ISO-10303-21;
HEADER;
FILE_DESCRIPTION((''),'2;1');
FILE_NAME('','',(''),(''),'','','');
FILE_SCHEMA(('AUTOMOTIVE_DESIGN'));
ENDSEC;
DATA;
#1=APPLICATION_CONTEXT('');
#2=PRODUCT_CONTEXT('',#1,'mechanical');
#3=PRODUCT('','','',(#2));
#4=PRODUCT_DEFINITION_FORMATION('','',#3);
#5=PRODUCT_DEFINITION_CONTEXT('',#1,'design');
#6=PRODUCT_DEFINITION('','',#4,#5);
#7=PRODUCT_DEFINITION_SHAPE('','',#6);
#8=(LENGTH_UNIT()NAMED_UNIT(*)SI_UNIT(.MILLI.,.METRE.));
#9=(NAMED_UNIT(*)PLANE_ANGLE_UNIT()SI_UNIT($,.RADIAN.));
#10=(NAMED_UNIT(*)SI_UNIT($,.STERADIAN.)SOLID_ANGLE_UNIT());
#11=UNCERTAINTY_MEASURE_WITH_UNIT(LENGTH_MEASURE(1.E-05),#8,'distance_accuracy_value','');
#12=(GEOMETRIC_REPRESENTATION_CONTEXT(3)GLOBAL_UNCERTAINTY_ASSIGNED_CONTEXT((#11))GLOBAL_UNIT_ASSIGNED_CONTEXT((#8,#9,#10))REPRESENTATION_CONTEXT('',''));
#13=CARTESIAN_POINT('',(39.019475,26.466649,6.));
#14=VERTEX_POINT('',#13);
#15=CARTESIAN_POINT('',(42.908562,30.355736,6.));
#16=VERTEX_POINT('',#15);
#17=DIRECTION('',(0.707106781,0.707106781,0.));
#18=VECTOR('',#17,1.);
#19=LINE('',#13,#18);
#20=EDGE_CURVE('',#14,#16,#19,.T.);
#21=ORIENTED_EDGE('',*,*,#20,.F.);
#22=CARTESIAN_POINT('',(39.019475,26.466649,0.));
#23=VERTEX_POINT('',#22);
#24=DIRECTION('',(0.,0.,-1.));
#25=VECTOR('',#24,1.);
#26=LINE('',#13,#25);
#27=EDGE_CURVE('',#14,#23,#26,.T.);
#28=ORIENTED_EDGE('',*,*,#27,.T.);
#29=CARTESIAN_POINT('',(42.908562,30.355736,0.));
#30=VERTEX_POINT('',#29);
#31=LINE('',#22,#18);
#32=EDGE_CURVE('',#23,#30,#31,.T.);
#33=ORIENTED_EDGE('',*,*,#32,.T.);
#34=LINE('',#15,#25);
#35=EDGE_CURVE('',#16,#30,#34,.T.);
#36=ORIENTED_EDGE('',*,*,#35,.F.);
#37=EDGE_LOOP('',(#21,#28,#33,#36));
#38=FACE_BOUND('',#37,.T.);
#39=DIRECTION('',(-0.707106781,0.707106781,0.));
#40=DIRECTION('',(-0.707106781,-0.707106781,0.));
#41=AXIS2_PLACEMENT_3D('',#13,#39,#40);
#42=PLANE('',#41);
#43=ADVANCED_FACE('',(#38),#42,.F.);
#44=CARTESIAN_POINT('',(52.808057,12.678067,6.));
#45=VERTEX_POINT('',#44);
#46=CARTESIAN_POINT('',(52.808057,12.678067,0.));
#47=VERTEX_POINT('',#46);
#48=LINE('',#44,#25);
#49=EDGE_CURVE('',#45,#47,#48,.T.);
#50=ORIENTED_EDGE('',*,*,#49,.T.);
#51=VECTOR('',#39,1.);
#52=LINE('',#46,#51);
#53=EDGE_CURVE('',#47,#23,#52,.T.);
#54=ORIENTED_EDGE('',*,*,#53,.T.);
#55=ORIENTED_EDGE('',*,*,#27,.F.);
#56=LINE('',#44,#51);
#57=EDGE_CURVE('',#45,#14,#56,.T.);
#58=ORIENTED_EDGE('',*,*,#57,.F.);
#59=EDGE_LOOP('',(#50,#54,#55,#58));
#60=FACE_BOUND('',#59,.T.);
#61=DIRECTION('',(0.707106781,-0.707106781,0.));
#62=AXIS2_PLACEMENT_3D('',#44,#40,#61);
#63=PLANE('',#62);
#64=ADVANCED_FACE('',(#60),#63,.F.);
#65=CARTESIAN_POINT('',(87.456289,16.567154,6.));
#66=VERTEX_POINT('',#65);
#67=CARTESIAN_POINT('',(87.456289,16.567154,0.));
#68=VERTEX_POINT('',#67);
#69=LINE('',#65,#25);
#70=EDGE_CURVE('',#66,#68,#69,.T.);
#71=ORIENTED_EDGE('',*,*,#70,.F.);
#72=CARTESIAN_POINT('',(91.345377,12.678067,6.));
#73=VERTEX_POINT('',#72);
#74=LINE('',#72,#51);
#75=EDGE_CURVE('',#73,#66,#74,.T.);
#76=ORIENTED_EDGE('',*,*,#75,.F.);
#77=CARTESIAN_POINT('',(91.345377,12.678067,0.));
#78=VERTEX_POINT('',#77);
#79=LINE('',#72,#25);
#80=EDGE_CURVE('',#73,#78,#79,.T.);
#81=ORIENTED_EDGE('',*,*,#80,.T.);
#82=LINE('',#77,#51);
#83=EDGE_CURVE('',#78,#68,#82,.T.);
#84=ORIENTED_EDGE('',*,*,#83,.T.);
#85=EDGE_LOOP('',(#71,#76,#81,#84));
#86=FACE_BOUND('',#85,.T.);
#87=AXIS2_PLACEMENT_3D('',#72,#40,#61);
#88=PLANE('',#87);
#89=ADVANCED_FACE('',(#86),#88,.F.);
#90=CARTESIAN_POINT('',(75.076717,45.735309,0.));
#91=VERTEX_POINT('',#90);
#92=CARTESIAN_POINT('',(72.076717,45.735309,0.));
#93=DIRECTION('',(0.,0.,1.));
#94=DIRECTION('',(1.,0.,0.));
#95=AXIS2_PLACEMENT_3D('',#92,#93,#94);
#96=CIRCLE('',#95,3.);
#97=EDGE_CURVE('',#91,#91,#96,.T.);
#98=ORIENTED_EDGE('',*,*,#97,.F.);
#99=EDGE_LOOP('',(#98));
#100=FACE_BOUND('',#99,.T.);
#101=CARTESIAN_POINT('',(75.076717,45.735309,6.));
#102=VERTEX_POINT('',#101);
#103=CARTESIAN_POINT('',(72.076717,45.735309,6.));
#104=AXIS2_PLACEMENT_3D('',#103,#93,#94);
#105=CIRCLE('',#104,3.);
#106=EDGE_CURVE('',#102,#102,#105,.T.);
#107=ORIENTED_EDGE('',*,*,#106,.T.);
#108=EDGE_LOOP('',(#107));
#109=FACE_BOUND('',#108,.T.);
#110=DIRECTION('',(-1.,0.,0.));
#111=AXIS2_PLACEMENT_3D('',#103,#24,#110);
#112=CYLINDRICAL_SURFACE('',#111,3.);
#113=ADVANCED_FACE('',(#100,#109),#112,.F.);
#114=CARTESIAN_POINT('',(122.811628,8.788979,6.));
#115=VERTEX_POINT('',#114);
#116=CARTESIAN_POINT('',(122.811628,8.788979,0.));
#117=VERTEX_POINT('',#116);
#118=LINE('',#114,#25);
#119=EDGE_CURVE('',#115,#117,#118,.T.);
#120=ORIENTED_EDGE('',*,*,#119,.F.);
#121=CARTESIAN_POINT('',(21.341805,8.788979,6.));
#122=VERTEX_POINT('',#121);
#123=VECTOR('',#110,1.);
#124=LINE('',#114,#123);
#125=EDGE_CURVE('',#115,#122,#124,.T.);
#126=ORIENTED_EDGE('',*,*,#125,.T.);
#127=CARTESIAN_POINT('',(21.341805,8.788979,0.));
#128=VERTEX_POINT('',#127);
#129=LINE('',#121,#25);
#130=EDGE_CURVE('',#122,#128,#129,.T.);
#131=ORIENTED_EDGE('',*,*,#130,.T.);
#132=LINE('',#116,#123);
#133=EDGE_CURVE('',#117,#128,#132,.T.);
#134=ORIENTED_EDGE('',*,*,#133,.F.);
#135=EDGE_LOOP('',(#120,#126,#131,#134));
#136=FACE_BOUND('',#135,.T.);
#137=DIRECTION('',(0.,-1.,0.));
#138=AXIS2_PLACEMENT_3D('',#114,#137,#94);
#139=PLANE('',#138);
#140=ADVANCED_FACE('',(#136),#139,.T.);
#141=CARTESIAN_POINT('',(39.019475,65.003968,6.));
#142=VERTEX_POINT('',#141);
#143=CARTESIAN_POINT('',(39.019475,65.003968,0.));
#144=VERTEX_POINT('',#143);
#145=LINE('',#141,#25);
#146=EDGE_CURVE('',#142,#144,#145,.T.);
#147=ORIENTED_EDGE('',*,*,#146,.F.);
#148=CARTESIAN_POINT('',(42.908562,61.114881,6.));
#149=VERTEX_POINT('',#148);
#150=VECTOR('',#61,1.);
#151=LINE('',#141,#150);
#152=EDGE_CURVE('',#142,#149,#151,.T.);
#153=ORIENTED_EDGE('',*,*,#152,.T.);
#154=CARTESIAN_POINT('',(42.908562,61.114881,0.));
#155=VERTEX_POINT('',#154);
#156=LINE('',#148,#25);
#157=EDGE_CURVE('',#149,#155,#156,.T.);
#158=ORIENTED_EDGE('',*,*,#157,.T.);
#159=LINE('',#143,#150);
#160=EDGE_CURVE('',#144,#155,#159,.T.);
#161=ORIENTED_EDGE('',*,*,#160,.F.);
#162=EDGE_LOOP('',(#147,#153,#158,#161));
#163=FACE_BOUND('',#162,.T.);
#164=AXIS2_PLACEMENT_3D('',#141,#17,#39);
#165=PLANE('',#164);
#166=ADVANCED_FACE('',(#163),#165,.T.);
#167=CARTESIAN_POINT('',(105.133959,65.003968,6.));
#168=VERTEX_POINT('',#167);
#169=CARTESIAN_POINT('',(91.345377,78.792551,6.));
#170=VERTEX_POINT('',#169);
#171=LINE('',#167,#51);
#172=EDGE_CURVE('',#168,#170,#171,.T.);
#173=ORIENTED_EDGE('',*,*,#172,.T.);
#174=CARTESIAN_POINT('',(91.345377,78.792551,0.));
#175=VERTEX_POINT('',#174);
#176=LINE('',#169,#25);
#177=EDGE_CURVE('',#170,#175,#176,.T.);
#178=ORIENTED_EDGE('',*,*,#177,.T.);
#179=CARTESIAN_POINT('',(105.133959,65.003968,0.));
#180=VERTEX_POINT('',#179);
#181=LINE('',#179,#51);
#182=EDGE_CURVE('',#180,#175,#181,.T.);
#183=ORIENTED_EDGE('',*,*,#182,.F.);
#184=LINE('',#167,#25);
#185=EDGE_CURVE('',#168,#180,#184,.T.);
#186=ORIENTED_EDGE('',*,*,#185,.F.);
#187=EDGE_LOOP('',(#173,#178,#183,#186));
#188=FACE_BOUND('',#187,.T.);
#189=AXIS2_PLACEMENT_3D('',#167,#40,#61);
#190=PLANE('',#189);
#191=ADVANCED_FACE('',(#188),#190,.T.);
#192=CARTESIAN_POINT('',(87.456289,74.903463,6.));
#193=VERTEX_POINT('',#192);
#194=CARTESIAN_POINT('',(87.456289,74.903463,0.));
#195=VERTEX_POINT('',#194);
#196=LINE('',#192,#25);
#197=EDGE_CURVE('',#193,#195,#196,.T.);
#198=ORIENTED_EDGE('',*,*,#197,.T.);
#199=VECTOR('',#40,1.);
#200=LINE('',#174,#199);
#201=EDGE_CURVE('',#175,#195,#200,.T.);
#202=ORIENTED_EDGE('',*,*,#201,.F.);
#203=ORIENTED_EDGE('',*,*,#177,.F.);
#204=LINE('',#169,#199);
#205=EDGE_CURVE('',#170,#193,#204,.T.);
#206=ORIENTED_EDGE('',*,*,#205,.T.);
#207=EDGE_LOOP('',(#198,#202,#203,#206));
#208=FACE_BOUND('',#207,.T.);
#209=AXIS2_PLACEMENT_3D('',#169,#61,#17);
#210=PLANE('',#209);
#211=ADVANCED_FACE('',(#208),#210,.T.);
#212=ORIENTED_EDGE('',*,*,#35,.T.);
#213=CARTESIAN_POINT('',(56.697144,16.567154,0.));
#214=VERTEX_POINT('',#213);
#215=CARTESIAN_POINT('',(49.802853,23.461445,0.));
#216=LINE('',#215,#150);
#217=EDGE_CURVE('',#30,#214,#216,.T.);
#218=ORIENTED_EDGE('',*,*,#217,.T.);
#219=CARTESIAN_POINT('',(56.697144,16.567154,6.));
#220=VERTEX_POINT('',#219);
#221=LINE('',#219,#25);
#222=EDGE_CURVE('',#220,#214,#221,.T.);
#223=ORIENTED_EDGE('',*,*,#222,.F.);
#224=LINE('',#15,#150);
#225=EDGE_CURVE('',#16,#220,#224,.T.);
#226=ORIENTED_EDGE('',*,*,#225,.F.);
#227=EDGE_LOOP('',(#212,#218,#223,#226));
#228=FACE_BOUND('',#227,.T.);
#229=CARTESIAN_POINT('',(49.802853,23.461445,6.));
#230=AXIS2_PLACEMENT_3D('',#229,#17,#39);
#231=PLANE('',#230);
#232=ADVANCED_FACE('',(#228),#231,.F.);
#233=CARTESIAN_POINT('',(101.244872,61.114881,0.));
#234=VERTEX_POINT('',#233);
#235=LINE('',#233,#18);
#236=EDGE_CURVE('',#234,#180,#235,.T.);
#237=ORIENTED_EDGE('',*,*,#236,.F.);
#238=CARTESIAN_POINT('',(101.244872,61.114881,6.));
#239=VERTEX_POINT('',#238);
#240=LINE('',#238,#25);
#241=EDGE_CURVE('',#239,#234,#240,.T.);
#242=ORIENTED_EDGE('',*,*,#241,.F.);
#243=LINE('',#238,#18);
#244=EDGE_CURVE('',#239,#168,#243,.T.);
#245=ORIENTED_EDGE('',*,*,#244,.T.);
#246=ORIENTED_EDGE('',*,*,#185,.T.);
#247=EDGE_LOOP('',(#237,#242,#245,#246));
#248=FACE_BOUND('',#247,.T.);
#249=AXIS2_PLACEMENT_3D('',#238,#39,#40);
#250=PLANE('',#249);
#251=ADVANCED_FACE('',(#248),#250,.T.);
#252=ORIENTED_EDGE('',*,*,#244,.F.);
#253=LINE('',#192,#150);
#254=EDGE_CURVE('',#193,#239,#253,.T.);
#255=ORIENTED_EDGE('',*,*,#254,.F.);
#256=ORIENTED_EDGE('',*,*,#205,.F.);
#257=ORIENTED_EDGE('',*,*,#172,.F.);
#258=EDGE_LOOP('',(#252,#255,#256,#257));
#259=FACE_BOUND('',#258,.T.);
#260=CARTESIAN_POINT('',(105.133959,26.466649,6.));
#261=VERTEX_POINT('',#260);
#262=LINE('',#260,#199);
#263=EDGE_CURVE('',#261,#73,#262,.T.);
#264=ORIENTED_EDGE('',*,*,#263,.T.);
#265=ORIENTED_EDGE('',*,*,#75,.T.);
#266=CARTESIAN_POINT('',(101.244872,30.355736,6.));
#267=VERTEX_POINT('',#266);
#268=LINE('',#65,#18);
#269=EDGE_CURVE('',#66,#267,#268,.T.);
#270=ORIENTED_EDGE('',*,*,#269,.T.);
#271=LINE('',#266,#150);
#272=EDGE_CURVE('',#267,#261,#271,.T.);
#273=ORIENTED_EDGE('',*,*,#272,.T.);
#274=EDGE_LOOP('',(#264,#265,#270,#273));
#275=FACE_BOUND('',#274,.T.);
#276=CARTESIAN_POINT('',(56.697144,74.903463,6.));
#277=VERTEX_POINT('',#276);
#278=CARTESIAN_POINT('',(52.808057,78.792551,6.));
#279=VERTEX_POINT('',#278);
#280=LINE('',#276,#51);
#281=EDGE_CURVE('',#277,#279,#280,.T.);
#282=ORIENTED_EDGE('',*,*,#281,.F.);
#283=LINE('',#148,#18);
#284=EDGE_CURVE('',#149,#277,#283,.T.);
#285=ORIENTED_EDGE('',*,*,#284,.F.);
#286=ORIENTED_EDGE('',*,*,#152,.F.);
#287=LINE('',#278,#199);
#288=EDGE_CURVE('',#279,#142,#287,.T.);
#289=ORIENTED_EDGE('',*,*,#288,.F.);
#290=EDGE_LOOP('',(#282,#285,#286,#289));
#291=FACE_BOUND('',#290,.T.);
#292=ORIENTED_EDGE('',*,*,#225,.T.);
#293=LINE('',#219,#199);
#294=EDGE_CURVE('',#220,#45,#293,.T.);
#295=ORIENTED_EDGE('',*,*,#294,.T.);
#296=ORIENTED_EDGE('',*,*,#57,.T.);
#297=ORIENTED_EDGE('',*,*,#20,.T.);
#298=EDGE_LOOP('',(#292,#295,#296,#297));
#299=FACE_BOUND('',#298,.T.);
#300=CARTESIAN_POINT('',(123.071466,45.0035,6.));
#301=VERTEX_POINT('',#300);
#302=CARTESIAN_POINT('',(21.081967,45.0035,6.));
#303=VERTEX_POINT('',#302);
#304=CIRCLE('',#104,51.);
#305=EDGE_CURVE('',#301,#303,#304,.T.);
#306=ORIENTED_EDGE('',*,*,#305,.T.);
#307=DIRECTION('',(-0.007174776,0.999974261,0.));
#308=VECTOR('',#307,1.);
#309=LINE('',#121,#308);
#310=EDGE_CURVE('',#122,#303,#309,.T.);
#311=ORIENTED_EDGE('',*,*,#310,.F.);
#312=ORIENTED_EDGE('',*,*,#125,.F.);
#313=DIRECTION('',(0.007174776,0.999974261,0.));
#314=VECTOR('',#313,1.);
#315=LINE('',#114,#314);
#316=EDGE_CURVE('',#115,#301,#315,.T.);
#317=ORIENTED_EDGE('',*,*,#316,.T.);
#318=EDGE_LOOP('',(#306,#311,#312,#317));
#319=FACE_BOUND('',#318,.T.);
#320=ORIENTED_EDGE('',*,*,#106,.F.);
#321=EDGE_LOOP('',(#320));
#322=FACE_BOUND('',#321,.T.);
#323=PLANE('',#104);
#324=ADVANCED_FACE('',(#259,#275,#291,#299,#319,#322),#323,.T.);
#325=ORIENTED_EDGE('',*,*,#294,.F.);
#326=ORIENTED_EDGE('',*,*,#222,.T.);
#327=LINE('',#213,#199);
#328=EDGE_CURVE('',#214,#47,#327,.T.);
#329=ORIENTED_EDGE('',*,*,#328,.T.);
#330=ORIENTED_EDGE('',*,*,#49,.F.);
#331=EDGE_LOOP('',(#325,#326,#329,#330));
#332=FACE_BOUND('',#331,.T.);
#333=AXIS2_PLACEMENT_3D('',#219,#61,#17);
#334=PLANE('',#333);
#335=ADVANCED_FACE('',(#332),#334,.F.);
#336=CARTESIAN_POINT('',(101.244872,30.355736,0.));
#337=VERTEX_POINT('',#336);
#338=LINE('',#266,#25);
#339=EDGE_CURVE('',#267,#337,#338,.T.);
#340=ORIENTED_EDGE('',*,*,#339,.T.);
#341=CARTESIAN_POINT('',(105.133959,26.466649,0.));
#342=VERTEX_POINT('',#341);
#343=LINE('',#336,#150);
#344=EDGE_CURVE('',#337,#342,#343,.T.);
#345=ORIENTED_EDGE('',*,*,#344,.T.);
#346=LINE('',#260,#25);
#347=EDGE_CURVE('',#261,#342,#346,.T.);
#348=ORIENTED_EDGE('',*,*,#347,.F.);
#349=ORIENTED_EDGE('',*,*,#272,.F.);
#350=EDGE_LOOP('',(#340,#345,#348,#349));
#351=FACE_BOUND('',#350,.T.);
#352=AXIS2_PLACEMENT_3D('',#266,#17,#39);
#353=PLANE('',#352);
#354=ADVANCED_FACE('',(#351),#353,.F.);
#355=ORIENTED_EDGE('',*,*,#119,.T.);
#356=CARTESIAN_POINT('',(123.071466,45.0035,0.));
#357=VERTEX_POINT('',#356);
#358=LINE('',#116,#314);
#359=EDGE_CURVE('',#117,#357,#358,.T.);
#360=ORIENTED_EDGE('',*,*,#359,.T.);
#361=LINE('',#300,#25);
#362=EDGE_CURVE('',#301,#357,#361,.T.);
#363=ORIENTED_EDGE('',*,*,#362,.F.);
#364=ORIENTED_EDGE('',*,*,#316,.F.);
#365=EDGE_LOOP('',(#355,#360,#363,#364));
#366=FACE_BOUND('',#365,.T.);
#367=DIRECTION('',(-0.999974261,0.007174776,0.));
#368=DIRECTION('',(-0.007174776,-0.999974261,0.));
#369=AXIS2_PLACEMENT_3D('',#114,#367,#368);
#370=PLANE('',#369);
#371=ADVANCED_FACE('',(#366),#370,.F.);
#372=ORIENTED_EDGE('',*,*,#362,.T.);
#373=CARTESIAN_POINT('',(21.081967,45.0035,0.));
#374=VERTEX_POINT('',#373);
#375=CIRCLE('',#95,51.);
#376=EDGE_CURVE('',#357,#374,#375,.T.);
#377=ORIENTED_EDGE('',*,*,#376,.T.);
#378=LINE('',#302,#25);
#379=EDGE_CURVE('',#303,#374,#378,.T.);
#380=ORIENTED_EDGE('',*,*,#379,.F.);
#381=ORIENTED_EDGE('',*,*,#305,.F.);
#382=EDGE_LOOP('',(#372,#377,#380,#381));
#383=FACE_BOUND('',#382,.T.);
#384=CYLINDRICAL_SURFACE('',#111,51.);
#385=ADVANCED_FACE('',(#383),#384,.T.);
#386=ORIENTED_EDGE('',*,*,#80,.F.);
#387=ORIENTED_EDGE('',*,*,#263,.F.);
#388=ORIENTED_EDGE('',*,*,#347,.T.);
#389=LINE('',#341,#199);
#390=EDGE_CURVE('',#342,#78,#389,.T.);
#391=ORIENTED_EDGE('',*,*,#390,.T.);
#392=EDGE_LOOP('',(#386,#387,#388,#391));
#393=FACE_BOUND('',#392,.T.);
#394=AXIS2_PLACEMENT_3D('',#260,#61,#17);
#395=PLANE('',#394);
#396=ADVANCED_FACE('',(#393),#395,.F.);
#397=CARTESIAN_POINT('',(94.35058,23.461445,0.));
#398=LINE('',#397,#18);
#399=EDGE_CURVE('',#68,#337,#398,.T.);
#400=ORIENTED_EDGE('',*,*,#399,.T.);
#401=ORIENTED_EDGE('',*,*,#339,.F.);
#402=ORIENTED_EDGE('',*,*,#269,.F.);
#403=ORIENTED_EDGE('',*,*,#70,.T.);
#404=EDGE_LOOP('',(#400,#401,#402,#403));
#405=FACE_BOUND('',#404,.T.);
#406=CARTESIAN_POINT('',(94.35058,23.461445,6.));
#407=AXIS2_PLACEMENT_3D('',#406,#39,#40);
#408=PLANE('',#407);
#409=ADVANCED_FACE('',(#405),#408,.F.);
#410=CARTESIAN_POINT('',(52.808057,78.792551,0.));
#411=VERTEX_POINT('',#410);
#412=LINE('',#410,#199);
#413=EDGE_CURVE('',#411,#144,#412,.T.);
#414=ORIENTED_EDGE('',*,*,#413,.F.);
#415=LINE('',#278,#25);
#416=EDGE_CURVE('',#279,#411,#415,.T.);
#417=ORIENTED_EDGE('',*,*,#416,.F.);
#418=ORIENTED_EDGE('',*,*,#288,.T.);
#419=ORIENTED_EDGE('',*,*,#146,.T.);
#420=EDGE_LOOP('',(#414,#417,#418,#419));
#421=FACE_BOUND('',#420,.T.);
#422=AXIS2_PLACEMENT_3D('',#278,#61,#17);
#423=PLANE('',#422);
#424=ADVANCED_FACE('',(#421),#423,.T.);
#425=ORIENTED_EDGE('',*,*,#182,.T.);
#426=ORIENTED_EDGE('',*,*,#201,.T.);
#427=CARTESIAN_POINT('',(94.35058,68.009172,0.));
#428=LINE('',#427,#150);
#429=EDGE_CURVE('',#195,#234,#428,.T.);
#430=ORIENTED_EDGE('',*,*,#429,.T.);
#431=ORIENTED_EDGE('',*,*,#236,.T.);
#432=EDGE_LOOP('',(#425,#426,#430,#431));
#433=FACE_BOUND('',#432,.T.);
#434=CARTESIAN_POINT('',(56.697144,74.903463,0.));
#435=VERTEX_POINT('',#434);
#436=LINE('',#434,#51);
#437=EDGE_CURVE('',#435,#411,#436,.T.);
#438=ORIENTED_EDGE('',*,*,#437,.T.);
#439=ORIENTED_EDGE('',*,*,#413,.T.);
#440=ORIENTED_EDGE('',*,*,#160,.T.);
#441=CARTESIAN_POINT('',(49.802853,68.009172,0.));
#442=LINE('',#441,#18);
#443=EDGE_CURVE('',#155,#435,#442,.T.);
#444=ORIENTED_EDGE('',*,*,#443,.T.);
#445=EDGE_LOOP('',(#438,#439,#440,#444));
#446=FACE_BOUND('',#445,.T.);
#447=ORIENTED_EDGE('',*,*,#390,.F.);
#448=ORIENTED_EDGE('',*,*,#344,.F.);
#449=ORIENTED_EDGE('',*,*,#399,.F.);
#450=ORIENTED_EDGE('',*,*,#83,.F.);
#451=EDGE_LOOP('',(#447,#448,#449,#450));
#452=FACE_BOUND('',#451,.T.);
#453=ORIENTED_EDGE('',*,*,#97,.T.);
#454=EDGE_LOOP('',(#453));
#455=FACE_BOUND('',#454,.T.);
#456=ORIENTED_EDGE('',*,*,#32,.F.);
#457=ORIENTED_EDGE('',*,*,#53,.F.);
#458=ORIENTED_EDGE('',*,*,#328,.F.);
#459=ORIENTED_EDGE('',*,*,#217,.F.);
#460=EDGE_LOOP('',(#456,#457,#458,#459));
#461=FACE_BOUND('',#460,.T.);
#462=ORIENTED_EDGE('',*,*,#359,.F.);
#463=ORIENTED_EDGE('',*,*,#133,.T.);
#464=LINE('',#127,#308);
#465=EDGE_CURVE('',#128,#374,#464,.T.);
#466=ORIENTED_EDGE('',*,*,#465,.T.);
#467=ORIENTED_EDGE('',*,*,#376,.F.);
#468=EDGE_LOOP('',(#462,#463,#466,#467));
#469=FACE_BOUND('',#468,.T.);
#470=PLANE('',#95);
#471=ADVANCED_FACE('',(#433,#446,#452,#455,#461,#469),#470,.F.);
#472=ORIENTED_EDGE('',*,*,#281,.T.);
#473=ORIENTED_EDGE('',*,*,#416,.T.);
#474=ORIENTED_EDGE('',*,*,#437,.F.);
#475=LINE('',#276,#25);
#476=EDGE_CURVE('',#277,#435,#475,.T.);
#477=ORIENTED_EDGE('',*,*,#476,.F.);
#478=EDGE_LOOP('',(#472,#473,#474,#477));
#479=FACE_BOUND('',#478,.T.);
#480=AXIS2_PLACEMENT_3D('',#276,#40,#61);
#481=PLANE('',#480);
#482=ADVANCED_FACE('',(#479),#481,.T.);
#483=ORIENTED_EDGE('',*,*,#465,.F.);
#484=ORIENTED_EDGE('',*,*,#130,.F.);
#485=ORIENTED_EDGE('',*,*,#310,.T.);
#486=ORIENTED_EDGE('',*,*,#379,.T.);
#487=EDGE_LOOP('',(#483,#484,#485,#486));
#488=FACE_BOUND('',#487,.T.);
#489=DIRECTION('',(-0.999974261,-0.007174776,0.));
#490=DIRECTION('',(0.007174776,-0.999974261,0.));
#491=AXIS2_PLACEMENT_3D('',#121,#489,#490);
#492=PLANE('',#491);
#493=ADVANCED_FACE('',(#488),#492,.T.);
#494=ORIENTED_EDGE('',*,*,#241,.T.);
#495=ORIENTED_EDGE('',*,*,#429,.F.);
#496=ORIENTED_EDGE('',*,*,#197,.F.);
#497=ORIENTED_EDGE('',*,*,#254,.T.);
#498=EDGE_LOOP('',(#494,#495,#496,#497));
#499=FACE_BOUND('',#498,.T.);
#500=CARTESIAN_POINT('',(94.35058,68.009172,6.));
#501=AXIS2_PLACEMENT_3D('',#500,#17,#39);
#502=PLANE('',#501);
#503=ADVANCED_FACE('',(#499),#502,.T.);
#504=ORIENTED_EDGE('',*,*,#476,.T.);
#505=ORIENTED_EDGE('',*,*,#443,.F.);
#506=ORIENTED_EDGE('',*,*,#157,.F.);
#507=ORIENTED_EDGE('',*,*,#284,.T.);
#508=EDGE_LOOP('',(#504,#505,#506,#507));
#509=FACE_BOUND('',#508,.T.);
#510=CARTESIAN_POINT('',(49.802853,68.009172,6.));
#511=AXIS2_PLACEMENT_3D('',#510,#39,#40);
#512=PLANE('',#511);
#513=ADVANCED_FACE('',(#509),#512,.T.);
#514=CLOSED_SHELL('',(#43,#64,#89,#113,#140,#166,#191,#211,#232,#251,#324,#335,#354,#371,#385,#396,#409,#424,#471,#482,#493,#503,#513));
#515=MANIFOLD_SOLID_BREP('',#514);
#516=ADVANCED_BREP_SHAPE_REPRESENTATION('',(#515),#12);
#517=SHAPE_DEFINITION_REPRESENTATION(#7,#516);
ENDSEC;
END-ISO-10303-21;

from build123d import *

# Parameters (mm, degrees)
MODEL_R             = 3
BOSS_EXTRUDE1_DEPTH = 6


with BuildPart() as part:
    # Model → Boss-Extrude1 (new body)
    with BuildSketch(Plane.XY):
        with BuildLine():
            Line((122.81162835, 8.788979227), (21.34180525, 8.788979227))
            Line((21.34180525, 8.788979227), (21.081967495, 45.003500256))
            ThreePointArc((21.081967495, 45.003500256), (72.0767168, 96.735308544), (123.071466105, 45.003500256))
            Line((123.071466105, 45.003500256), (122.81162835, 8.788979227))
        make_face()
        with Locations((72.0767168, 45.735308544)):
            Circle(MODEL_R, mode=Mode.SUBTRACT)
        Polygon((49.802853193, 68.009172151), (56.697144309, 74.903463268), (52.808057013, 78.792550564), (39.01947478, 65.003968331), (42.908562076, 61.114881035), align=None, mode=Mode.SUBTRACT)
        Polygon((49.802853193, 23.461444937), (56.697144309, 16.56715382), (52.808057013, 12.678066524), (39.01947478, 26.466648757), (42.908562076, 30.355736053), align=None, mode=Mode.SUBTRACT)
        Polygon((94.350580407, 68.009172151), (101.244871524, 61.114881035), (105.13395882, 65.003968331), (91.345376587, 78.792550564), (87.456289291, 74.903463268), align=None, mode=Mode.SUBTRACT)
        Polygon((94.350580407, 23.461444937), (101.244871524, 30.355736053), (105.13395882, 26.466648757), (91.345376587, 12.678066524), (87.456289291, 16.56715382), align=None, mode=Mode.SUBTRACT)
    extrude(amount=BOSS_EXTRUDE1_DEPTH)


solid = part.part
